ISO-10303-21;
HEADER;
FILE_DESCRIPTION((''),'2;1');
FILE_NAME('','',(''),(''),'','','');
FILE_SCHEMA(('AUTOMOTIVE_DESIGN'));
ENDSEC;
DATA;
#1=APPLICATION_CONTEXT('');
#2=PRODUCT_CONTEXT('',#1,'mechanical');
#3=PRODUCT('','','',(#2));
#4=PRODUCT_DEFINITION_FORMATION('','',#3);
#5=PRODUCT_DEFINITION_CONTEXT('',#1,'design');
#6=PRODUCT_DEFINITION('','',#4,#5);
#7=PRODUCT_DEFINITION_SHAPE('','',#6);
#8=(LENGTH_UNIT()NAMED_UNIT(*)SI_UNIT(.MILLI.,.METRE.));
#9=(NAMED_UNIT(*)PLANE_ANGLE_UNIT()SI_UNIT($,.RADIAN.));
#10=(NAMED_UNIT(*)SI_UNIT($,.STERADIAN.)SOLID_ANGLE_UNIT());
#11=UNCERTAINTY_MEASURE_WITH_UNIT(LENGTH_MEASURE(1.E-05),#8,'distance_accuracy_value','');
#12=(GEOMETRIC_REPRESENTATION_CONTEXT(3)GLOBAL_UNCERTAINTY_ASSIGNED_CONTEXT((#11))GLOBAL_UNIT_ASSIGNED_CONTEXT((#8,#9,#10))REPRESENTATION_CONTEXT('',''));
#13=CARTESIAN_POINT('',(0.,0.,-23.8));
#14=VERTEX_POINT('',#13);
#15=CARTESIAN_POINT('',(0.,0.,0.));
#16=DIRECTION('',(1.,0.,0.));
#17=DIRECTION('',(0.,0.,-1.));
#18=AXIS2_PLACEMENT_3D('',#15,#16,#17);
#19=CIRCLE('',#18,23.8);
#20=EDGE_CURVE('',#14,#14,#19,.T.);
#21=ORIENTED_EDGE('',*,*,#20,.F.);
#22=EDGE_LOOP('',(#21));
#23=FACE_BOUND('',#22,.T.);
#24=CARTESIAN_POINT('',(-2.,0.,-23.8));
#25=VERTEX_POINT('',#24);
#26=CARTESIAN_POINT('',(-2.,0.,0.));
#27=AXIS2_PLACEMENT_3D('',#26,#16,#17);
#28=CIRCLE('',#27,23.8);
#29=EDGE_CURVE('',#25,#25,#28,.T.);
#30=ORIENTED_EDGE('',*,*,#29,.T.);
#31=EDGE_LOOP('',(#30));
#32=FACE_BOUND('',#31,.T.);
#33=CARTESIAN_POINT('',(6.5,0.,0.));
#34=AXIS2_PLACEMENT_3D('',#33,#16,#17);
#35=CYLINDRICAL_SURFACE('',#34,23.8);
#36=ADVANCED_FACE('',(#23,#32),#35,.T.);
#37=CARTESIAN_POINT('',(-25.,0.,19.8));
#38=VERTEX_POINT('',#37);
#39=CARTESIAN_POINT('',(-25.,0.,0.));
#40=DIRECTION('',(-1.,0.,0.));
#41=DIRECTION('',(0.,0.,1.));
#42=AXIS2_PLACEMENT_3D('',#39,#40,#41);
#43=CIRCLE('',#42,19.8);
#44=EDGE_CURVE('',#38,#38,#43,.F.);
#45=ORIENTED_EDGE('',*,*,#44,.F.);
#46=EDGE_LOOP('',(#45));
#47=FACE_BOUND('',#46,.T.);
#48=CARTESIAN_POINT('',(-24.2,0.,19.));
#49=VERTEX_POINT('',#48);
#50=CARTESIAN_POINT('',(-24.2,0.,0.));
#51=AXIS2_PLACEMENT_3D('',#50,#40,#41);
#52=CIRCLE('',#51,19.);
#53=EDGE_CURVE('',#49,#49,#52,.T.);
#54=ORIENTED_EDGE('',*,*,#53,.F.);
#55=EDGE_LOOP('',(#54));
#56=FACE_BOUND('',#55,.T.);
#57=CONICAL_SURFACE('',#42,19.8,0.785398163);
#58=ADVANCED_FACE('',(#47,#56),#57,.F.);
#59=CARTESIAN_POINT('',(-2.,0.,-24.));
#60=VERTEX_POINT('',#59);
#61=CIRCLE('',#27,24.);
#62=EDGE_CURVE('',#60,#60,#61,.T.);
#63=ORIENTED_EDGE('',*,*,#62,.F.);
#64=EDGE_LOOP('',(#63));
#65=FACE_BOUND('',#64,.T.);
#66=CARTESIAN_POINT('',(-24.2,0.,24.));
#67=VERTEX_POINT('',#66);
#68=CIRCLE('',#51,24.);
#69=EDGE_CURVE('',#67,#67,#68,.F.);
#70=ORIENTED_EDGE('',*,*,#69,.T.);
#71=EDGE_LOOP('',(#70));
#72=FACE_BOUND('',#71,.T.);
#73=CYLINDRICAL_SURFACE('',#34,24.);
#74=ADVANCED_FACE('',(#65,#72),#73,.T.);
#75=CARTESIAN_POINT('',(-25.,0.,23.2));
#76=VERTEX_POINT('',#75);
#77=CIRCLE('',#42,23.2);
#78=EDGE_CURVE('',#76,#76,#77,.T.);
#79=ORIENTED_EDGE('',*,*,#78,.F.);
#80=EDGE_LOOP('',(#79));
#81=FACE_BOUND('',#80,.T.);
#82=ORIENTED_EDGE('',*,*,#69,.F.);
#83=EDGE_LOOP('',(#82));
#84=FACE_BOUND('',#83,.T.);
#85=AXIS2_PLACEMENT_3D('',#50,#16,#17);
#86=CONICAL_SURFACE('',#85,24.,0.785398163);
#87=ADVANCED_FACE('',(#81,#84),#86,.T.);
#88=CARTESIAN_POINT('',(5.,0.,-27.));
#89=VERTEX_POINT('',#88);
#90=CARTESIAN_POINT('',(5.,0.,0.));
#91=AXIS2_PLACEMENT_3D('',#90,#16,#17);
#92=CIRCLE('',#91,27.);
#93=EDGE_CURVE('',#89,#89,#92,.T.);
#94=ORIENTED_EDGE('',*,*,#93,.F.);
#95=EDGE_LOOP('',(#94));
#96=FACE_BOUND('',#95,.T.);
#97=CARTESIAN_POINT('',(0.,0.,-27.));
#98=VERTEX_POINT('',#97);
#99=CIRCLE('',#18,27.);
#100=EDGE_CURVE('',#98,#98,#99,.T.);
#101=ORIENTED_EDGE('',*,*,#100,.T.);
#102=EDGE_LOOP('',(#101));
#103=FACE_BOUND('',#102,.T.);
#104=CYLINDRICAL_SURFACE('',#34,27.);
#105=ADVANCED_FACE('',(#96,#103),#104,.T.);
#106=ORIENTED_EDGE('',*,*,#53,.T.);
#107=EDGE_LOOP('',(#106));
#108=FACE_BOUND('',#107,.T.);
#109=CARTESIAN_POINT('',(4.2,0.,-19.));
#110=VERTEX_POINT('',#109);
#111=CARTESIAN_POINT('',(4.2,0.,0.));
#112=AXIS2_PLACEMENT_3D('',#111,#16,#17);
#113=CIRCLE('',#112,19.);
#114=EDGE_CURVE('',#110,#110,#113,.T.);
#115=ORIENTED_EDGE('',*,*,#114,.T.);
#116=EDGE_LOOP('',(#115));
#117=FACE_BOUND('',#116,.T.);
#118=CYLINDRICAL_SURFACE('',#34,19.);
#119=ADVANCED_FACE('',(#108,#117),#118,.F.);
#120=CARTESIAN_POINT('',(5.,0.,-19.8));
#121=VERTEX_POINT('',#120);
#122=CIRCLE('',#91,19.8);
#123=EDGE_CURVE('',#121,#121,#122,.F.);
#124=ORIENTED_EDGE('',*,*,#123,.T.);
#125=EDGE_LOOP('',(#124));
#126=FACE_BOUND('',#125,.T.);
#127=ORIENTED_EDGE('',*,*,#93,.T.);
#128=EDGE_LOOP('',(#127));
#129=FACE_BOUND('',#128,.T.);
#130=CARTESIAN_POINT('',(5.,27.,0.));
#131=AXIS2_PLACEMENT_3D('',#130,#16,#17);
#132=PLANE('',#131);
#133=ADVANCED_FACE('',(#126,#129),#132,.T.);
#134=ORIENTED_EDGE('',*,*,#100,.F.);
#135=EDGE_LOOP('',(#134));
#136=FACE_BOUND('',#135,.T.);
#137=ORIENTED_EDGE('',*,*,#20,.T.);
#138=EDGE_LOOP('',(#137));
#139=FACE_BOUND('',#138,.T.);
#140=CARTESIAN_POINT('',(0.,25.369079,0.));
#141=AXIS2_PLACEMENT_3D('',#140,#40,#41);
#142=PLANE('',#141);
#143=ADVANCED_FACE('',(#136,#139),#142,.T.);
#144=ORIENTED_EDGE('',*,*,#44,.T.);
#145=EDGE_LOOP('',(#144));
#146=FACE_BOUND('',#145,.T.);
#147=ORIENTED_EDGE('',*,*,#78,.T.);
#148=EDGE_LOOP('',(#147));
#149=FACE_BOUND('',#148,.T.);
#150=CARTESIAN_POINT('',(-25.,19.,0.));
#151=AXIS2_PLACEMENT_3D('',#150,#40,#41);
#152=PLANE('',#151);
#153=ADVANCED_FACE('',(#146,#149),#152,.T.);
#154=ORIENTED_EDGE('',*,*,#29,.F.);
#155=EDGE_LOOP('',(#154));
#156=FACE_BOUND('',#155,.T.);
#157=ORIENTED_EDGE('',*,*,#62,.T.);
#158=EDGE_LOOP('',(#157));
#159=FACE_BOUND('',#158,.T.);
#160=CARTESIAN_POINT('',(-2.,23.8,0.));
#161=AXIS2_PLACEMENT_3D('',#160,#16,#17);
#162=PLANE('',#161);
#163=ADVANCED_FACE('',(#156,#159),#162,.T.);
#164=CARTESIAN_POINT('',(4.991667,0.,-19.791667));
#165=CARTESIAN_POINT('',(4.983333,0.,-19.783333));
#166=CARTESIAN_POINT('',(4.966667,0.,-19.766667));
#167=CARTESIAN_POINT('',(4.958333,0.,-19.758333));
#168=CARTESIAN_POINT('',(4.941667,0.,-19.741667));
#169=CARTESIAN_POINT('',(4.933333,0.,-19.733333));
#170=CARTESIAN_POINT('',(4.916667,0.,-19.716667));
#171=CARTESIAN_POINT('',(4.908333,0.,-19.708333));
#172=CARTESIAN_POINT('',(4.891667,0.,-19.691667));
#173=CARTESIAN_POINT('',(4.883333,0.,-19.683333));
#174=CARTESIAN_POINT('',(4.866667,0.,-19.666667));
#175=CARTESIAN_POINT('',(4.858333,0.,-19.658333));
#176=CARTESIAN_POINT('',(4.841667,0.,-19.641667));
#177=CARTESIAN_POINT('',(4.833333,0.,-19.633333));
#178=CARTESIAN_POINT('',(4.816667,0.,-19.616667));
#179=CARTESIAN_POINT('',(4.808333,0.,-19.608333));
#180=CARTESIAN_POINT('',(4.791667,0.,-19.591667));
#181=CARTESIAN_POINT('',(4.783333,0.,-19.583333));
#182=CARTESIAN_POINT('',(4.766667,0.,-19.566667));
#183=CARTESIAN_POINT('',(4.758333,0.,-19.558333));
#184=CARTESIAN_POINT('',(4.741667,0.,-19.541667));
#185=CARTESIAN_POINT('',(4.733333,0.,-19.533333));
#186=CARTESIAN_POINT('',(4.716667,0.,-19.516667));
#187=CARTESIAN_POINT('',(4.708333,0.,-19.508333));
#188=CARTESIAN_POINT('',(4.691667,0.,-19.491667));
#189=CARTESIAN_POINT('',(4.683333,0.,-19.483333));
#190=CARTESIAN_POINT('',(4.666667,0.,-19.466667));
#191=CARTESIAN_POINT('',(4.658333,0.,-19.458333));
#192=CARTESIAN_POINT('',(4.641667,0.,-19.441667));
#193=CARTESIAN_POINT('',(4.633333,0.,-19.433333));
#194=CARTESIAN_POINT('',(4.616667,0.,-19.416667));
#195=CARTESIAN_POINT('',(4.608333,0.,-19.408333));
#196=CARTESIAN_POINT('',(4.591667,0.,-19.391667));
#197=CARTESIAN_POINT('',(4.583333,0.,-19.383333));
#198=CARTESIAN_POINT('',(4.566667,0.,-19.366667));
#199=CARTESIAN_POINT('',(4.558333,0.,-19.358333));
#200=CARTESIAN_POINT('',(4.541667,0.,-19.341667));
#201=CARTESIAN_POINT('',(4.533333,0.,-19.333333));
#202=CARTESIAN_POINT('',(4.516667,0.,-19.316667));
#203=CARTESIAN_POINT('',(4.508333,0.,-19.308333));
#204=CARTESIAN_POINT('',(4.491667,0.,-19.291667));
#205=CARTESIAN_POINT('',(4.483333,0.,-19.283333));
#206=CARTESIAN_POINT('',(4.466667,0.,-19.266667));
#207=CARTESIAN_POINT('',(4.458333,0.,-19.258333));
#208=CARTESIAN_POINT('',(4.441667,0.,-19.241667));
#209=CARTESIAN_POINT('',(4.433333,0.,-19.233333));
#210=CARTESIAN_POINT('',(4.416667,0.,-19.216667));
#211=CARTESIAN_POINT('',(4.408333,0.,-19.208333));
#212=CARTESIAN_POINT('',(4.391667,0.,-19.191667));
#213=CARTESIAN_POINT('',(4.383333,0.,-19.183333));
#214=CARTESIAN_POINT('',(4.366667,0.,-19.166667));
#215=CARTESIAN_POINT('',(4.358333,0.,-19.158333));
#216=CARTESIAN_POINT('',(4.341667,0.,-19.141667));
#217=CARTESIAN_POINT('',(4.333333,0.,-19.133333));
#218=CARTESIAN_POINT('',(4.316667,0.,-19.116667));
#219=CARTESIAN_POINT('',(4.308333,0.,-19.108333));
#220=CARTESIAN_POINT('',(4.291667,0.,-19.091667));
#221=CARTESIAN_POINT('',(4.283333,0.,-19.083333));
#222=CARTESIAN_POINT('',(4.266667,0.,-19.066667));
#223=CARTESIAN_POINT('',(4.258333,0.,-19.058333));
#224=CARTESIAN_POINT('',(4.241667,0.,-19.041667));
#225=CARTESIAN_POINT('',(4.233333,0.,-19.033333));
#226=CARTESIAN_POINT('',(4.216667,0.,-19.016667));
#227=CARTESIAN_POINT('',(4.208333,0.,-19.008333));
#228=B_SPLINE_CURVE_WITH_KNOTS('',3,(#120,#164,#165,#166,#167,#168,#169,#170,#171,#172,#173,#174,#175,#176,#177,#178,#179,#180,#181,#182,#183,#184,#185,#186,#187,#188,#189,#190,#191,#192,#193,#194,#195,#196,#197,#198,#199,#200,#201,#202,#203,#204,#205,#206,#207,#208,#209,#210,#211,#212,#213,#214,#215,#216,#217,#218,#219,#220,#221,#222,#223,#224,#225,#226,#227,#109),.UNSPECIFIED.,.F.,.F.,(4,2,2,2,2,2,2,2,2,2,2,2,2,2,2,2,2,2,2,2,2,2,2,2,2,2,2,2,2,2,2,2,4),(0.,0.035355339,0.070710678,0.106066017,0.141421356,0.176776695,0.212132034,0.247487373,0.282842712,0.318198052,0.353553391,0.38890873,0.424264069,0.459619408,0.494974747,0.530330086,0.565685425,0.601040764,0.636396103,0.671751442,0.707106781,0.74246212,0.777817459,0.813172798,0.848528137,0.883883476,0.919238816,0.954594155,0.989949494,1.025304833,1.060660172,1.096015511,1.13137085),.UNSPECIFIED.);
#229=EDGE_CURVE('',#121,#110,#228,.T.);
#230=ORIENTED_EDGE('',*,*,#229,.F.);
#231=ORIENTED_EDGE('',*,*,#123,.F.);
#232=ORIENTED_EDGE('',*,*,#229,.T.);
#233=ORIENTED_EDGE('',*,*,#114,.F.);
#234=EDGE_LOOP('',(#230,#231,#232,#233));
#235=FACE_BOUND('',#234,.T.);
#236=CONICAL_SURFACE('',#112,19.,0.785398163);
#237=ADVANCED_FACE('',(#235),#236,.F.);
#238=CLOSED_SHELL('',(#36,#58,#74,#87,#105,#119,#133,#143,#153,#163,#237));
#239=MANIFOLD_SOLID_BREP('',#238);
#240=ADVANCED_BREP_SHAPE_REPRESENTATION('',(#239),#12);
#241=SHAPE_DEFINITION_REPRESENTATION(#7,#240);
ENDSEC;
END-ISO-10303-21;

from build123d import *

# Parameters (mm, degrees)
FASE1_SIZE = 0.8


with BuildPart() as part:
    # Skizze1 → Rotation1 (revolve)
    with BuildSketch(Plane.XY, mode=Mode.PRIVATE) as rotation1_sk:
        Polygon((-2, 24), (-25, 24), (-25, 19), (5, 19), (5, 27), (0, 27), (0, 25.369078951), (0, 23.8), (-2, 23.8), align=None)
    revolve(rotation1_sk.sketch.rotate(Axis((6.5, 0, 0), (-1, 0, 0)), 90), axis=Axis((6.5, 0, 0), (-1, 0, 0)))

    # Fase1
    fase1_edges = [part.edges().sort_by_distance(p)[0] for p in [
        (-25, 0, 24),
        (-25, 0, 19),
        (5, 0, 19),
    ]]
    chamfer(fase1_edges, length=FASE1_SIZE)


solid = part.part
